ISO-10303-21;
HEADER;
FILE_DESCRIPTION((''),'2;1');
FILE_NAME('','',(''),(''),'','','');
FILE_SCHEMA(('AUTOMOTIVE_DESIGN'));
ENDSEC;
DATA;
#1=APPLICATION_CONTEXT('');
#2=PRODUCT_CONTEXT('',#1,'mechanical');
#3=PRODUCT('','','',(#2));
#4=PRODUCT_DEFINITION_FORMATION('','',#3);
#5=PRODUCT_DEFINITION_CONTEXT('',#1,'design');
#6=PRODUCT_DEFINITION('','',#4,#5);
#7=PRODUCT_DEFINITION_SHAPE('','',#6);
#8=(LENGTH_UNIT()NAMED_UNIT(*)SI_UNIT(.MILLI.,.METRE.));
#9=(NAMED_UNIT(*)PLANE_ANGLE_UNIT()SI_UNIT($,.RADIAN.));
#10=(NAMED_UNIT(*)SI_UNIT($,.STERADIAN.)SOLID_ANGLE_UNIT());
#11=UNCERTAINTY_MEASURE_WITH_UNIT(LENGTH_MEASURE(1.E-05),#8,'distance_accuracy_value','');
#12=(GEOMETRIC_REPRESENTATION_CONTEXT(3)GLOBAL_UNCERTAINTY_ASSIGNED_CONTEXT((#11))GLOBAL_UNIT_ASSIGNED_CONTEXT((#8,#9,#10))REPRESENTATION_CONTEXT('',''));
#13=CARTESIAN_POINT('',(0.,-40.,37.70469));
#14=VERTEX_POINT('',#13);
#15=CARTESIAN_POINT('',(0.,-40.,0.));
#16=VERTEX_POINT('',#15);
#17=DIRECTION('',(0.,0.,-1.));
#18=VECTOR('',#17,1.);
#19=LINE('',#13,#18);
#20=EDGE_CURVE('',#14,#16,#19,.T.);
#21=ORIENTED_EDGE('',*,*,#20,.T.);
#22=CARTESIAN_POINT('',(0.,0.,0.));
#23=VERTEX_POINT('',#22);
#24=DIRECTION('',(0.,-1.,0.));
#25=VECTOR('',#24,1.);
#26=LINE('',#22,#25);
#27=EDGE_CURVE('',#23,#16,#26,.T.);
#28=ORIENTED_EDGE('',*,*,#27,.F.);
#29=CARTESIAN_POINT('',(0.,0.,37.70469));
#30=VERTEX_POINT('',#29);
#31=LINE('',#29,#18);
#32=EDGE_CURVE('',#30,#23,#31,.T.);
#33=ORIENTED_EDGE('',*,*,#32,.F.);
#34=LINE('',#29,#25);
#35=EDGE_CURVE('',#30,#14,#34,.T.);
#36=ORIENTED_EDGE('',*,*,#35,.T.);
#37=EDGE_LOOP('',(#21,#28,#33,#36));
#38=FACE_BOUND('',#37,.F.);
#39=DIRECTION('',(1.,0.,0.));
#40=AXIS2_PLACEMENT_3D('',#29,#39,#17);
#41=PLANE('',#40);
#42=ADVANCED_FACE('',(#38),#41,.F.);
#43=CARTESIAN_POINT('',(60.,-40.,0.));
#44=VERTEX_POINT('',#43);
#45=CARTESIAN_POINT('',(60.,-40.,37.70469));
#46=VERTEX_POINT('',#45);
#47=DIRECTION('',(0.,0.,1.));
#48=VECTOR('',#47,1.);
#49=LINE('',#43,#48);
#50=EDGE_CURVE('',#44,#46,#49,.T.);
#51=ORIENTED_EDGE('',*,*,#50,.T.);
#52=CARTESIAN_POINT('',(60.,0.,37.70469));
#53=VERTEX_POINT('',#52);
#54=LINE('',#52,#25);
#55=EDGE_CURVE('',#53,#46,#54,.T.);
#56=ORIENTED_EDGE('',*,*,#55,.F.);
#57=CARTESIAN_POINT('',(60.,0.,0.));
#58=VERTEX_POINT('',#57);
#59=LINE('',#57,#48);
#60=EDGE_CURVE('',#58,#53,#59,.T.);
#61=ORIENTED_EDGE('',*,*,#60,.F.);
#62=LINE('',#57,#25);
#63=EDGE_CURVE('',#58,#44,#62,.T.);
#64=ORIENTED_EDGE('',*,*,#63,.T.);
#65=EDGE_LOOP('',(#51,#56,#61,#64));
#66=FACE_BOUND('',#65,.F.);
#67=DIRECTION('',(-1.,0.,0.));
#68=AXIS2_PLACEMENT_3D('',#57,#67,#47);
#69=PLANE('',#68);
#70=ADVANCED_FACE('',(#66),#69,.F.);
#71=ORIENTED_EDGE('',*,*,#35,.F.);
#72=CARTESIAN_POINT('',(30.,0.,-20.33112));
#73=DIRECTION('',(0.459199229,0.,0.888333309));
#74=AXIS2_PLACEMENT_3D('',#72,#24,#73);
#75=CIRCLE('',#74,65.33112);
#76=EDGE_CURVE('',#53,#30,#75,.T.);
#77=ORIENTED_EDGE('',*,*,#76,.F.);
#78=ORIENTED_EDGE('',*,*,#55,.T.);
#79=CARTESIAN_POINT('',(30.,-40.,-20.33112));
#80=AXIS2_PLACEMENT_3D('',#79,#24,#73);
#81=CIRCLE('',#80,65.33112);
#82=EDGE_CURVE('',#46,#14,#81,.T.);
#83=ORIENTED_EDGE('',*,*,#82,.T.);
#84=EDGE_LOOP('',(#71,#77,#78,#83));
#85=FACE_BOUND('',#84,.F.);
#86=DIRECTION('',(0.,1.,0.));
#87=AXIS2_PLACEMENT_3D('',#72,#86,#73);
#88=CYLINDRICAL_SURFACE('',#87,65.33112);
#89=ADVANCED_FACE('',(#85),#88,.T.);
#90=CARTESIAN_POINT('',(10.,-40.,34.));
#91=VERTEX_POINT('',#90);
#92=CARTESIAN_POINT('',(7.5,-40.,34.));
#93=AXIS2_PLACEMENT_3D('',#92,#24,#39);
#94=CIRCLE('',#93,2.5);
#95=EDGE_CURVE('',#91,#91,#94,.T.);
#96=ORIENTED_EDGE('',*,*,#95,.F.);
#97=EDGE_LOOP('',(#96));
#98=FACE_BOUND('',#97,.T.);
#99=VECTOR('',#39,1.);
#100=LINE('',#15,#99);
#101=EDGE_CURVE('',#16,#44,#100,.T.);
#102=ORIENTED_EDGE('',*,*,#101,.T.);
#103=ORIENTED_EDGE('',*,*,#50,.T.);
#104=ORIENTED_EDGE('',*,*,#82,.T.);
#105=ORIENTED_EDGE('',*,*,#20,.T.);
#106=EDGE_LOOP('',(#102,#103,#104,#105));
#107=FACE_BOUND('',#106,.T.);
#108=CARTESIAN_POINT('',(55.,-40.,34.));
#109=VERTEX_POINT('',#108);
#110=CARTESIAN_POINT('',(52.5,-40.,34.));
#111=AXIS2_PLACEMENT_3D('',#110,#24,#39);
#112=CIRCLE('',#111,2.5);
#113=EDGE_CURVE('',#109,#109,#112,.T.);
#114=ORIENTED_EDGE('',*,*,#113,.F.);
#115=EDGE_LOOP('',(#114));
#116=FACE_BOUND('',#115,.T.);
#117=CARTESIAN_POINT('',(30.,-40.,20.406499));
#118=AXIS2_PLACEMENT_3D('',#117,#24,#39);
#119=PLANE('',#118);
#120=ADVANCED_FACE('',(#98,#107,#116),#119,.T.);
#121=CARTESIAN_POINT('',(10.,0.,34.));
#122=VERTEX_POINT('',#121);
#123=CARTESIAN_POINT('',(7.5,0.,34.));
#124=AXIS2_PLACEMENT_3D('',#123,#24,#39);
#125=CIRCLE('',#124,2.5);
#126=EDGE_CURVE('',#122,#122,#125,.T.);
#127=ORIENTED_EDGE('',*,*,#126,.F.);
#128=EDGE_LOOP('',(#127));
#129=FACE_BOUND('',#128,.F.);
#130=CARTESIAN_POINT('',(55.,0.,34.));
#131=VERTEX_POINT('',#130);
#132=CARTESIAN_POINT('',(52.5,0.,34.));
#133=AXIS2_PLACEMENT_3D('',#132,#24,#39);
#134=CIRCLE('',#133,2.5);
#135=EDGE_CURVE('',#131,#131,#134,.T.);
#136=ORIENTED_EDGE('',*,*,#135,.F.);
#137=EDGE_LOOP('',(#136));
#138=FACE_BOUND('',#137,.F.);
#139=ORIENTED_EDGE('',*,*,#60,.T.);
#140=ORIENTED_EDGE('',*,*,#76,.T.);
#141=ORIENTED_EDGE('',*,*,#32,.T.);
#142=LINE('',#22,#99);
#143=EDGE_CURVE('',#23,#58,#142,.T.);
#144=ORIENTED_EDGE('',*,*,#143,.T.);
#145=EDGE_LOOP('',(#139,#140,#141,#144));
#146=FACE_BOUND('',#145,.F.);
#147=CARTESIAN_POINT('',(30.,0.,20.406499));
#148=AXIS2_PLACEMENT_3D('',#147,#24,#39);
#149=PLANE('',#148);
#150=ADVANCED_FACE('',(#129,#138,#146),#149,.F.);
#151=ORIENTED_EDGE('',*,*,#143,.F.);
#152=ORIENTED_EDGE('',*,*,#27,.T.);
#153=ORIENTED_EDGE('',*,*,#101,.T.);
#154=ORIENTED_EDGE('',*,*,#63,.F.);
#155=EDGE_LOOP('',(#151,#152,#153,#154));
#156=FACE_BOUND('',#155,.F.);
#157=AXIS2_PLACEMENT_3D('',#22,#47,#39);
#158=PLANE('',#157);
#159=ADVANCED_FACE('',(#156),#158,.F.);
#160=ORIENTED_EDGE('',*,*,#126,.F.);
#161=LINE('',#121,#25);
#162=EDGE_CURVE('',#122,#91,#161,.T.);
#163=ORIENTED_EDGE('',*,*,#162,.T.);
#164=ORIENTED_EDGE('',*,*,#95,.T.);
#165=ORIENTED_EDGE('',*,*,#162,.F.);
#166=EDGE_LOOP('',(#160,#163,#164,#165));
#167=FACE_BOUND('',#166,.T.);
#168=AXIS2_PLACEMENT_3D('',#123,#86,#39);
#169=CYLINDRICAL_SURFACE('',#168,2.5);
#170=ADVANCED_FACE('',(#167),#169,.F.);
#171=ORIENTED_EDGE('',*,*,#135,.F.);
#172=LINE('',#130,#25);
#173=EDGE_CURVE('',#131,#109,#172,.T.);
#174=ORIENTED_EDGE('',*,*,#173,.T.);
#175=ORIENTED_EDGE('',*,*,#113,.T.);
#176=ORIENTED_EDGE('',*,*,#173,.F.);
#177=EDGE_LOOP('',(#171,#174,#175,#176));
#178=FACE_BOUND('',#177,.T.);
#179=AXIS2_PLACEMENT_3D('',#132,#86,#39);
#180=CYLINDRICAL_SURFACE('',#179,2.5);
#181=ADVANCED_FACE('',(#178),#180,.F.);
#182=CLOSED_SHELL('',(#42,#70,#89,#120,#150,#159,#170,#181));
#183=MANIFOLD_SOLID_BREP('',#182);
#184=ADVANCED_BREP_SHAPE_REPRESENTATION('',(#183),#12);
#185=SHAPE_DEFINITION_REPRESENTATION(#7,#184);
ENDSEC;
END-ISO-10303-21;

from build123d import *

# Parameters (mm, degrees)
F0_R     = 2.5
F1_DEPTH = 40


with BuildPart() as f1:
    # F0 (on Front) → F1 (new body)
    with BuildSketch(Plane.XZ):
        with BuildLine():
            Line((0, 37.70469), (0, 0))
            Line((0, 0), (60, 0))
            Line((60, 0), (60, 37.70469))
            ThreePointArc((60, 37.70469), (30, 45), (0, 37.70469))
        make_face()
        with Locations((7.5, 34)):
            Circle(F0_R, mode=Mode.SUBTRACT)
        with Locations((52.5, 34)):
            Circle(F0_R, mode=Mode.SUBTRACT)
    extrude(amount=F1_DEPTH)


solid = f1.part
